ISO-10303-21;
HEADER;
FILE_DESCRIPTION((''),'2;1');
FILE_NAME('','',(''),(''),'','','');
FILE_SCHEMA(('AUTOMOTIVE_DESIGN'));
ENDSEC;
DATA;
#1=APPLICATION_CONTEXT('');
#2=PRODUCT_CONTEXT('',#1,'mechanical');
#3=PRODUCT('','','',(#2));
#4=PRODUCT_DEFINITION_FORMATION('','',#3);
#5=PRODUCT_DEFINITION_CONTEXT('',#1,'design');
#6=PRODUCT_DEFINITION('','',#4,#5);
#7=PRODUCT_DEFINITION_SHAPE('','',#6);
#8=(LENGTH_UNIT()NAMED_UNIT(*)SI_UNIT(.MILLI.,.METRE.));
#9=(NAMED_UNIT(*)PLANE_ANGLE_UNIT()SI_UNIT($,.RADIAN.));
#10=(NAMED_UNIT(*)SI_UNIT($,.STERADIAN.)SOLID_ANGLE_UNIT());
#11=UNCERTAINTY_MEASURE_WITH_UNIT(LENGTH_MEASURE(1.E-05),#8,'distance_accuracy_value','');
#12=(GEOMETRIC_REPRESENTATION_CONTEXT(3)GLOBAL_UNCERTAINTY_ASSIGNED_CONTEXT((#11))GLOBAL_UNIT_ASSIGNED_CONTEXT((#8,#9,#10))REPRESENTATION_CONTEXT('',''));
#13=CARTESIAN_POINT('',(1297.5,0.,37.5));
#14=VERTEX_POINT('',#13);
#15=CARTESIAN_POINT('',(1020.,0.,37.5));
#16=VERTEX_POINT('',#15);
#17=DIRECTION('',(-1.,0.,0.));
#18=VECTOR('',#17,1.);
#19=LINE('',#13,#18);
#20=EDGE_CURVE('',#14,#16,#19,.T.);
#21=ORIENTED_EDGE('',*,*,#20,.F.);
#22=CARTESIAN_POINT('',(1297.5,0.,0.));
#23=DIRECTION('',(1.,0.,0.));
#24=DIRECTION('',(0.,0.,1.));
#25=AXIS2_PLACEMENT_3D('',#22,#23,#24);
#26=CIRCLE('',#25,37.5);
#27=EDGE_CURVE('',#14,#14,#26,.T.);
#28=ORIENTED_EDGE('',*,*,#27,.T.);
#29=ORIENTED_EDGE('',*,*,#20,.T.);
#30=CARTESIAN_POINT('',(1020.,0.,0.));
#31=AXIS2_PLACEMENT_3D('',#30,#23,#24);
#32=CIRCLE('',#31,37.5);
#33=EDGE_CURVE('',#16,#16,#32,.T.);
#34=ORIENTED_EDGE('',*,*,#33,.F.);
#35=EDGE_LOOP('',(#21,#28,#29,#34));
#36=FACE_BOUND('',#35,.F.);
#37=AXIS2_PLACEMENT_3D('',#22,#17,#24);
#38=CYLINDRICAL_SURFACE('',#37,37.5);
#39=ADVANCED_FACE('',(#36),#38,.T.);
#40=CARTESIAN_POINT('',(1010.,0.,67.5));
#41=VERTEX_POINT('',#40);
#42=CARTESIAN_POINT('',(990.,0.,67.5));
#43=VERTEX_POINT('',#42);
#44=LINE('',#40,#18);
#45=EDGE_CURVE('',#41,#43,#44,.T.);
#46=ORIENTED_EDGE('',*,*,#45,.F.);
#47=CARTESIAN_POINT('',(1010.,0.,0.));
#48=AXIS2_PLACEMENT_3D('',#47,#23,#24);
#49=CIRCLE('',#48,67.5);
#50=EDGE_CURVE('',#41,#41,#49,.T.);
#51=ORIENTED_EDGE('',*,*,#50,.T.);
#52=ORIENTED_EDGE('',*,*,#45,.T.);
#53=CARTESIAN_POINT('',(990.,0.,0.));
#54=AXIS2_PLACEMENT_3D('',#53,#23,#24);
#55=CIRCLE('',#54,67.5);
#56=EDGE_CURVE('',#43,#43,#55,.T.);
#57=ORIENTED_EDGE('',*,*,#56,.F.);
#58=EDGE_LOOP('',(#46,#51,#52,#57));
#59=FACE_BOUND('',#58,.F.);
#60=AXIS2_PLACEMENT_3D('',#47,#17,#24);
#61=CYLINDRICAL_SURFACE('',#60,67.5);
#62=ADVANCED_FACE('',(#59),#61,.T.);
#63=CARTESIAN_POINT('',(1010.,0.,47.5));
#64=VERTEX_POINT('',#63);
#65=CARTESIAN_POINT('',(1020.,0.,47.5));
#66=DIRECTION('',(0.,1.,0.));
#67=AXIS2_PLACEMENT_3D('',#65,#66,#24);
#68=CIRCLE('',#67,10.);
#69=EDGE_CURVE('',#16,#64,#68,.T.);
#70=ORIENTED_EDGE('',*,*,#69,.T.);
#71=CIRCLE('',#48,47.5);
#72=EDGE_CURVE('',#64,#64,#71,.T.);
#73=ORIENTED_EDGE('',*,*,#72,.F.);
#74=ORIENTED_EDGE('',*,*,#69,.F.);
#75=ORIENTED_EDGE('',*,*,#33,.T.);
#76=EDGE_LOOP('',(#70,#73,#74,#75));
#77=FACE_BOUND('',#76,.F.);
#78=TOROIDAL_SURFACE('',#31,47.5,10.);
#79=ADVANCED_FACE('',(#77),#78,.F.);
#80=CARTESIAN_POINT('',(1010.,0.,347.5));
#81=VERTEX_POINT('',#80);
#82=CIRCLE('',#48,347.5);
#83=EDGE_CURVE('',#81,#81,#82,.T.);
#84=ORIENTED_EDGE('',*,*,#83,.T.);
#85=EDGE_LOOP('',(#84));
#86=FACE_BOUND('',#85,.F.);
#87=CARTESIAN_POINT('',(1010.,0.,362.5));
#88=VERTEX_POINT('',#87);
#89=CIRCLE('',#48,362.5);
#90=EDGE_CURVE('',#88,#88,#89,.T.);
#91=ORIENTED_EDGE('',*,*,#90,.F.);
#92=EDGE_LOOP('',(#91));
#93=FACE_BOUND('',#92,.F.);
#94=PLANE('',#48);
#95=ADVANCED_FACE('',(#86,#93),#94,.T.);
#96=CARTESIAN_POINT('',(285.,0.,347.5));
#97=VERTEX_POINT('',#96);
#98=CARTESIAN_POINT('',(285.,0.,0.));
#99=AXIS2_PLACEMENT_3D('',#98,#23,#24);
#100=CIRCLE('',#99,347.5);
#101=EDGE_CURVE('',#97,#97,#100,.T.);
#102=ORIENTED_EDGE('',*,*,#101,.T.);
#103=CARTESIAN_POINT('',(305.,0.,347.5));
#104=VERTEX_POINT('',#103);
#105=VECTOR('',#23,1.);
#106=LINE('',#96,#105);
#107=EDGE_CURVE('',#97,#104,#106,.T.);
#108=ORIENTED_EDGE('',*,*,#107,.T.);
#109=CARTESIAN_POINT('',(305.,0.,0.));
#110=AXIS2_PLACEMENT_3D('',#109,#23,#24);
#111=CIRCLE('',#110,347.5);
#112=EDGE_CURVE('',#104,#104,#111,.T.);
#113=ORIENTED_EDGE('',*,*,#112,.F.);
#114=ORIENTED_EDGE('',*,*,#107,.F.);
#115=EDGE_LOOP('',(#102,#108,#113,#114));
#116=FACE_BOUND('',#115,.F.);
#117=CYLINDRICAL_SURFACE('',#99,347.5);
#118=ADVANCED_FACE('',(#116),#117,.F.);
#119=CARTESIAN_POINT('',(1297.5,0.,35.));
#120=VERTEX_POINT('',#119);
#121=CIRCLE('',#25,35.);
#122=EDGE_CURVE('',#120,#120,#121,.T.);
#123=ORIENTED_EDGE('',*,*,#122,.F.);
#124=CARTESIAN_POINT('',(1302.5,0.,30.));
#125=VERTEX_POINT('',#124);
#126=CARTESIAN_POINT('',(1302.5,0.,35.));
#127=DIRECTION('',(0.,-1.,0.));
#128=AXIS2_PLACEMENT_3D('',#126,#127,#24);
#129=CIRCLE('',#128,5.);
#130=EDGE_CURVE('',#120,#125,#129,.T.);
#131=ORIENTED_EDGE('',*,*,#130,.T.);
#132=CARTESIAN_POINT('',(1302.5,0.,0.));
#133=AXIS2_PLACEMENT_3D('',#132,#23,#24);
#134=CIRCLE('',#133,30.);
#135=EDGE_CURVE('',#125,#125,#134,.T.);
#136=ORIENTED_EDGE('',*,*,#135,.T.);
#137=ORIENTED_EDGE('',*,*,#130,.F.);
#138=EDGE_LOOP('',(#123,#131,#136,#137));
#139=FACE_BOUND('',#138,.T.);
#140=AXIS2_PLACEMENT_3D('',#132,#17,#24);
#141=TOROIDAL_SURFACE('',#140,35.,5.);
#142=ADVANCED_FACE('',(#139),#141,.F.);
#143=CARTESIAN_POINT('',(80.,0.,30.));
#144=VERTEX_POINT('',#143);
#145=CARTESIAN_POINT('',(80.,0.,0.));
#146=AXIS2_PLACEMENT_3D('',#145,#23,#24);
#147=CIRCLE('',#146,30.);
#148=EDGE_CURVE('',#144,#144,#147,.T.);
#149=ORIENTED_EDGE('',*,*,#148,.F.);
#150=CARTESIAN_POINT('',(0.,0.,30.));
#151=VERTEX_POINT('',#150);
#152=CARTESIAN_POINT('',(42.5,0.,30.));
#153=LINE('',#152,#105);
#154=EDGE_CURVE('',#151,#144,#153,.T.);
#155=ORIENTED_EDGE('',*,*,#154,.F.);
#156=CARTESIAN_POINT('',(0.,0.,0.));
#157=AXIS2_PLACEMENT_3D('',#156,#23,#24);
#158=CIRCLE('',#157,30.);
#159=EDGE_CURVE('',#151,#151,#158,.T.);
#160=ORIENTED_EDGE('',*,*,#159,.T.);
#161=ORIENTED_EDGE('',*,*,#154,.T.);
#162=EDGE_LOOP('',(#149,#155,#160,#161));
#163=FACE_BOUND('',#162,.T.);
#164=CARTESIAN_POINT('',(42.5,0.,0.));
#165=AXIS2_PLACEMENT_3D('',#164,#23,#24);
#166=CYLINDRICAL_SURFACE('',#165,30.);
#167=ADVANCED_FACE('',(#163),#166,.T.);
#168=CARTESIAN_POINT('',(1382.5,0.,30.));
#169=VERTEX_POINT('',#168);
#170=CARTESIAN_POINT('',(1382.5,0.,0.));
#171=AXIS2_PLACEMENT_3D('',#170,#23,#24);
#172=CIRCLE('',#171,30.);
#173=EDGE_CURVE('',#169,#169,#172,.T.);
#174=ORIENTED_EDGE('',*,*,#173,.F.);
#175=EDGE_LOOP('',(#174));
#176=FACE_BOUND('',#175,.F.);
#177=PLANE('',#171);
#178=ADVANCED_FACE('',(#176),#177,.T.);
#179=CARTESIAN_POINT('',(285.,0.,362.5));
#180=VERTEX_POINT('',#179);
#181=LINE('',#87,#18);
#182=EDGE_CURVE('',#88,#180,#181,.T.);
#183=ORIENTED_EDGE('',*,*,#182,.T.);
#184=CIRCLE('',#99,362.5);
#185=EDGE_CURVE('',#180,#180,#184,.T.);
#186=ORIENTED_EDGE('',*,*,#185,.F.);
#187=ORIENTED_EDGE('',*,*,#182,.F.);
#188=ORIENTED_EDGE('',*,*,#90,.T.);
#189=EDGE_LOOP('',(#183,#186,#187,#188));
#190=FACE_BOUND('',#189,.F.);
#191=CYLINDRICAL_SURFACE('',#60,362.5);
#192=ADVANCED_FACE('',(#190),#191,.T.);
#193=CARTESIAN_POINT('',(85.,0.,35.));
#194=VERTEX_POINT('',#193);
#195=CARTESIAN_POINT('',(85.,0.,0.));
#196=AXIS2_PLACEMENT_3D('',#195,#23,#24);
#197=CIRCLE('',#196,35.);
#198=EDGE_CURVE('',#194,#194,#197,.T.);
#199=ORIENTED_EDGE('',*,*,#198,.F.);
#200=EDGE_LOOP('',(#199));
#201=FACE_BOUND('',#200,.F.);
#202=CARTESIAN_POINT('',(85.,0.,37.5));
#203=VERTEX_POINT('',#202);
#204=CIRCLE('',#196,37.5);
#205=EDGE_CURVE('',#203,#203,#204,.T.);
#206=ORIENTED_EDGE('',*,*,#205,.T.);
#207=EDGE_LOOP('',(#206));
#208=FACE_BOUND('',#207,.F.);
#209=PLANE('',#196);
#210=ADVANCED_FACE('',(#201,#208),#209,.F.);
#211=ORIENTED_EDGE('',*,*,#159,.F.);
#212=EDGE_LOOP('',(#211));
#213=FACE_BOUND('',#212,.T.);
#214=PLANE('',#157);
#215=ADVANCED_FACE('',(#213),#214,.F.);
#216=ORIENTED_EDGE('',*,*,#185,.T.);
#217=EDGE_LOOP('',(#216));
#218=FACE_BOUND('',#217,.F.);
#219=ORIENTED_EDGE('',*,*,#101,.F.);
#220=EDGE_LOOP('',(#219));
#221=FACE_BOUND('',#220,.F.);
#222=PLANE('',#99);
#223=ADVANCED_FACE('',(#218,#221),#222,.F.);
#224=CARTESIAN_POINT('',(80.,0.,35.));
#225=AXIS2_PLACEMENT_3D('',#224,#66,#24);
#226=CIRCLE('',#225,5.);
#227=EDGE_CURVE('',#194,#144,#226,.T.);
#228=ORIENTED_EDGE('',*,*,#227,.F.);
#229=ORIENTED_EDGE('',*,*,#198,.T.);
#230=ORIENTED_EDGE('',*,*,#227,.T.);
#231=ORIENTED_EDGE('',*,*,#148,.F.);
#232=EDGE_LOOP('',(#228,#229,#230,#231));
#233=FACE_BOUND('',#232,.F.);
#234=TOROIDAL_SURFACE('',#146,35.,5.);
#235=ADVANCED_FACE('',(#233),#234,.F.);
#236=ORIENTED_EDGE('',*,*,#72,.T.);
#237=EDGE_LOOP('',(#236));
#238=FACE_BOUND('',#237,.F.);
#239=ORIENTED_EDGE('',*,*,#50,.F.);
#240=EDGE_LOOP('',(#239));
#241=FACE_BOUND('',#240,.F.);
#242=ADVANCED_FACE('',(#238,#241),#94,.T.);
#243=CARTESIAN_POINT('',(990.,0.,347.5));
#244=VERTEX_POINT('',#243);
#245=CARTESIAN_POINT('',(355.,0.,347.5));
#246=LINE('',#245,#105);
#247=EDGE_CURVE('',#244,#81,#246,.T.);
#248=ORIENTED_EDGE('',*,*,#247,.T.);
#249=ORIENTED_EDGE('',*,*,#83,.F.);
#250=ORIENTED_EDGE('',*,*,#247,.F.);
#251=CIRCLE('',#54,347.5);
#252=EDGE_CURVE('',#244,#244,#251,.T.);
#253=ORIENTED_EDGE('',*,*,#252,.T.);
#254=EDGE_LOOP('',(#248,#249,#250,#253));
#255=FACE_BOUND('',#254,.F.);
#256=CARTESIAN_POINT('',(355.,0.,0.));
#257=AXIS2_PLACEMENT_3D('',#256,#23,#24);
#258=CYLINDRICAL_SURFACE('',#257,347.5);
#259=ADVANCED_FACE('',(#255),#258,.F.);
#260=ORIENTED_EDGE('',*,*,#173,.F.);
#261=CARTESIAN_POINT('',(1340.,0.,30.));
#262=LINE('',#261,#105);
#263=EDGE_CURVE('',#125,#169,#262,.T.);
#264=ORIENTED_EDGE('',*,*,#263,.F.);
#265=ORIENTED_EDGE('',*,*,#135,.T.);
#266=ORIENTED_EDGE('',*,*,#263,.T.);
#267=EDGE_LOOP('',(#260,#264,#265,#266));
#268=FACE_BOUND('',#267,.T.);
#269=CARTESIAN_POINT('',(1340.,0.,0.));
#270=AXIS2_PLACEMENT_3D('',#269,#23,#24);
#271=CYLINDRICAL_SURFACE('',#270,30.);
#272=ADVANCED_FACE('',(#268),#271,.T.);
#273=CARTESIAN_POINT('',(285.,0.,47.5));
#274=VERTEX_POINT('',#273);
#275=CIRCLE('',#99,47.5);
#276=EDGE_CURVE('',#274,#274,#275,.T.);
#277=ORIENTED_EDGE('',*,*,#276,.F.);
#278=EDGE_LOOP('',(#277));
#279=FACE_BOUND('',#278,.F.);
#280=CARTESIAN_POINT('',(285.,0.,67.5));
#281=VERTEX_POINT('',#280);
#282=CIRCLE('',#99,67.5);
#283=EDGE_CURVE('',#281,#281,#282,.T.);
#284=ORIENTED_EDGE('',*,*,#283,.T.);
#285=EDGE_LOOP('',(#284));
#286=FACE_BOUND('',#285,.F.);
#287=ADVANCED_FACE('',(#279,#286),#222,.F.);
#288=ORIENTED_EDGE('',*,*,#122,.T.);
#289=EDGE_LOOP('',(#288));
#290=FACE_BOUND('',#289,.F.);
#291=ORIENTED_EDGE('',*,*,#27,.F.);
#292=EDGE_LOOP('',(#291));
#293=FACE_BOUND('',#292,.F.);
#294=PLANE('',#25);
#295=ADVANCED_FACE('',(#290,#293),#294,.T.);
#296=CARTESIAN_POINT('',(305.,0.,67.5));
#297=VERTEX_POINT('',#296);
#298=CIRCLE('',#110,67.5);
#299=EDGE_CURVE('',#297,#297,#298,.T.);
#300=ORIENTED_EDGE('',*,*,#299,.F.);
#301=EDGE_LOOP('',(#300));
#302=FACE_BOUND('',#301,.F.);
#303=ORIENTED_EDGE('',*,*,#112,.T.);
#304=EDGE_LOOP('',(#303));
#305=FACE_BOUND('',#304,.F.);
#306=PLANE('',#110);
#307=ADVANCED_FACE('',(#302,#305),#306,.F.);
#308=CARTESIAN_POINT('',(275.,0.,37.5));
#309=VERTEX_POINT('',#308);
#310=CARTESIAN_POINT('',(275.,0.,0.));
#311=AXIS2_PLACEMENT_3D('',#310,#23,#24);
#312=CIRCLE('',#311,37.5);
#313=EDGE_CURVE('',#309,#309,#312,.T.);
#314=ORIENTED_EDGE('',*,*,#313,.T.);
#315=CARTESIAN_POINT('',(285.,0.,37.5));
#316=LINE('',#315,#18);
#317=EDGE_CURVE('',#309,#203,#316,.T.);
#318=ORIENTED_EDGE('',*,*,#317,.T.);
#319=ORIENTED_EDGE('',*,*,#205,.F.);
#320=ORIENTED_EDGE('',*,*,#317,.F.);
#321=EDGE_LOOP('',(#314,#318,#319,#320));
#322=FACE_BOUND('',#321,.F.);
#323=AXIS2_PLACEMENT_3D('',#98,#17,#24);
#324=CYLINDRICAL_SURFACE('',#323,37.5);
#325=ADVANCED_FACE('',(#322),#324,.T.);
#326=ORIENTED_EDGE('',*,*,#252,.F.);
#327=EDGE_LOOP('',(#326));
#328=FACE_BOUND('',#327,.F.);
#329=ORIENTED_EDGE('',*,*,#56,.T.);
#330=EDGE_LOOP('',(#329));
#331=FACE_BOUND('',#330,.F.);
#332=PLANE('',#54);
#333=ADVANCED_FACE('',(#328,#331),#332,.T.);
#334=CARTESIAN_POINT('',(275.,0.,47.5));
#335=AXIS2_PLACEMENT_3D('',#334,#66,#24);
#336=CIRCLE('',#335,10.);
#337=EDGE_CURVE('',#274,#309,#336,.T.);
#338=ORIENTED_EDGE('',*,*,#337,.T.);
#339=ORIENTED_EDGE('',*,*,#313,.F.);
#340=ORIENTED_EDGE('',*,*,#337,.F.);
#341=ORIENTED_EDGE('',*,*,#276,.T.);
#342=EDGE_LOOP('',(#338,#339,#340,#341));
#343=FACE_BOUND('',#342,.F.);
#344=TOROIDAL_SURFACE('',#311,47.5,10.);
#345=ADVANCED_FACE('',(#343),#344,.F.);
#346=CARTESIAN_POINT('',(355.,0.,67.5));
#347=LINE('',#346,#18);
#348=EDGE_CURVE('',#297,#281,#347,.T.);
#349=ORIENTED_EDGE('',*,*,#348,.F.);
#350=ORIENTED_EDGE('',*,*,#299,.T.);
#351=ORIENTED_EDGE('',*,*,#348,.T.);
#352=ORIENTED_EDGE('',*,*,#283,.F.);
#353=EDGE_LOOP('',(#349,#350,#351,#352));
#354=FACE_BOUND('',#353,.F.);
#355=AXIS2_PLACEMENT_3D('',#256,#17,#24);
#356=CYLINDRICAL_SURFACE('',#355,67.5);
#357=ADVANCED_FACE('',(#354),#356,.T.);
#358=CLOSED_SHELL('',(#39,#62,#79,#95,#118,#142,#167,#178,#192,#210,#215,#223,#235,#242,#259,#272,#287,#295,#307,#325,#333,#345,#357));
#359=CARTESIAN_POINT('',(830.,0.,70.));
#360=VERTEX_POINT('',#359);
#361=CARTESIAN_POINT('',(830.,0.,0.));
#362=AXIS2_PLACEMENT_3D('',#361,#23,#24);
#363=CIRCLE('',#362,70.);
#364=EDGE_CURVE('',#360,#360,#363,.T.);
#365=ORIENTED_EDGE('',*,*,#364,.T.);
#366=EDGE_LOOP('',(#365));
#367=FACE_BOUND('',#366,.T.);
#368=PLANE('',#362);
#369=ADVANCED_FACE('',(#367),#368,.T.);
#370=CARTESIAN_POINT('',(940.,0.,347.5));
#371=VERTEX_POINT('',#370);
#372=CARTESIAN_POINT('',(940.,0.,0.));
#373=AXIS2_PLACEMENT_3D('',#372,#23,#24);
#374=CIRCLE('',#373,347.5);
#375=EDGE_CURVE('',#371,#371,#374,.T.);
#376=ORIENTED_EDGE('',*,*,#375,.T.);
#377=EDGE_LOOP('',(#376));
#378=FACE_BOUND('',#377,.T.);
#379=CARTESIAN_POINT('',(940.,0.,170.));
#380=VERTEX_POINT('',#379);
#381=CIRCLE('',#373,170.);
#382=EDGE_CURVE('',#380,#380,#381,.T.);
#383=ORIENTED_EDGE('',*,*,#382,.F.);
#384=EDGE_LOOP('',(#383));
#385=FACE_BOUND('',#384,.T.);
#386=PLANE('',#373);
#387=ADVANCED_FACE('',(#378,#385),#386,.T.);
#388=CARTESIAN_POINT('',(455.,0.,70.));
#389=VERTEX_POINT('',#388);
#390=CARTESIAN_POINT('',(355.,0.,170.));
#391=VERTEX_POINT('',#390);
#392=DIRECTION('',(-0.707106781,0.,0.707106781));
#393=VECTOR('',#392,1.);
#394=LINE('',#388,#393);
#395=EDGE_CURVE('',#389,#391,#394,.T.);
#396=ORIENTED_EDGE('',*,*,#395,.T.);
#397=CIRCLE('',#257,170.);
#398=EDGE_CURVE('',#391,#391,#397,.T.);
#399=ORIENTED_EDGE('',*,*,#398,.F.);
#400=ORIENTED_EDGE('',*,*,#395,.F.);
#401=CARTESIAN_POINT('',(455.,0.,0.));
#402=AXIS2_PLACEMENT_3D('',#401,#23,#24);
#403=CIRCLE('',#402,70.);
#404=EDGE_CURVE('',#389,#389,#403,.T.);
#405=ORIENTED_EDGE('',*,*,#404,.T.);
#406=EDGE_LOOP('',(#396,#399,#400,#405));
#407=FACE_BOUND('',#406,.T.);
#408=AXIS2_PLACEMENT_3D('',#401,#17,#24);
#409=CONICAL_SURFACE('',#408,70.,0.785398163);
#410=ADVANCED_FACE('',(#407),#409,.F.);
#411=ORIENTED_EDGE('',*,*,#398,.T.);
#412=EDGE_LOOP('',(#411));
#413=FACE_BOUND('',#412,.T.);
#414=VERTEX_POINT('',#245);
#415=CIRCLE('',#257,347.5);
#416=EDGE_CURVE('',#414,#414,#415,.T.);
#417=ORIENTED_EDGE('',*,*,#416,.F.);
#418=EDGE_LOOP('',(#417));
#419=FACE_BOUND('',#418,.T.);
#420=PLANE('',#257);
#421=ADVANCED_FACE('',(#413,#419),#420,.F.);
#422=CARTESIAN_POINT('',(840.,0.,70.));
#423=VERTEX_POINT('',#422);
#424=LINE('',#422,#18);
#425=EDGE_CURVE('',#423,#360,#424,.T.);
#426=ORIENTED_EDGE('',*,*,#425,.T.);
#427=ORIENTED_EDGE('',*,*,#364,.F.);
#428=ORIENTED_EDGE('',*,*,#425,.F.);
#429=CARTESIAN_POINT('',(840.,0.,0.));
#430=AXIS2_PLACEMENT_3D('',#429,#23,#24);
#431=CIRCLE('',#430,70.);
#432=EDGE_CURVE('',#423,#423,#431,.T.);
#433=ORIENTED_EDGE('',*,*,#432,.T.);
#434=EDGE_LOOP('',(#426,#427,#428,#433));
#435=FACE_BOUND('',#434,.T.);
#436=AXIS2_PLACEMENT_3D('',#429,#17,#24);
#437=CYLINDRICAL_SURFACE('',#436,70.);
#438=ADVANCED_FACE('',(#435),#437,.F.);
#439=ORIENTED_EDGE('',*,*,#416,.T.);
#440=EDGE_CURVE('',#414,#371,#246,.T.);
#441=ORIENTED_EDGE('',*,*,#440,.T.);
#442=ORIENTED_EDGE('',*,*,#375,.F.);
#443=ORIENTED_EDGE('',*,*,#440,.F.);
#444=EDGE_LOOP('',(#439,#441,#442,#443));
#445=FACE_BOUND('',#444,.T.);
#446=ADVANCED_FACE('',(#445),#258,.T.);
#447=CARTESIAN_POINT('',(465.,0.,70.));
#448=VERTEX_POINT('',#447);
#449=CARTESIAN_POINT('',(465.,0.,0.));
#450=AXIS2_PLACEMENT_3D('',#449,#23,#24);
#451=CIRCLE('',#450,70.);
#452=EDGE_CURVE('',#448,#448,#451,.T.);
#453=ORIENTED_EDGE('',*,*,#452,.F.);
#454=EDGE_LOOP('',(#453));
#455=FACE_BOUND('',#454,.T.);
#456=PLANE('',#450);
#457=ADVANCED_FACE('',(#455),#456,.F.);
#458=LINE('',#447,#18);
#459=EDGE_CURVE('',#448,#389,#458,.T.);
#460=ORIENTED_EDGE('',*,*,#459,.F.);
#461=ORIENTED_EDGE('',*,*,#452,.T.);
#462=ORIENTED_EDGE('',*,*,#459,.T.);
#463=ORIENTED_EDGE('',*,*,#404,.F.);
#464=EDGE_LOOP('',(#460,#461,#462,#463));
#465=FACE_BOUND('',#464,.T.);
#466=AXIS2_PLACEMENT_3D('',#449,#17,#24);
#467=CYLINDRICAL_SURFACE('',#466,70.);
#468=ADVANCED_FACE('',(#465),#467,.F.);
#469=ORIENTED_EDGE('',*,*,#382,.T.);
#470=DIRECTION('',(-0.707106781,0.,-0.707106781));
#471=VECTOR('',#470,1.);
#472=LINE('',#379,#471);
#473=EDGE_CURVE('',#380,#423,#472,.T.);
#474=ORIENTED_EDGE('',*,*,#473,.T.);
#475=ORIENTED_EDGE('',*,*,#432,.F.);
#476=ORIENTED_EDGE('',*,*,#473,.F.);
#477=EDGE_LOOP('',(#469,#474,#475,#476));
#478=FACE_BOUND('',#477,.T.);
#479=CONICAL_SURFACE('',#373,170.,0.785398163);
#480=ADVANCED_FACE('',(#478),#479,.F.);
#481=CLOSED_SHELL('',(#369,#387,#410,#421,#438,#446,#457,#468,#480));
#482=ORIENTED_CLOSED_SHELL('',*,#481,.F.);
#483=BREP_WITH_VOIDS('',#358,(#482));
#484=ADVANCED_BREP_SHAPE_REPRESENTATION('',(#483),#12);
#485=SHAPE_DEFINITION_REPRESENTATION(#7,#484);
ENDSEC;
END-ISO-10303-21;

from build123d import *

# Parameters (mm, degrees)
F0_W = 85
F0_H = 30
F2_R = 10
F3_R = 5


with BuildPart() as f1:
    # F0 (on Front) → F1 (revolve)
    with BuildSketch(Plane.XZ):
        with Locations((42.5, 15)):
            Rectangle(F0_W, F0_H)
        Polygon((85, 30), (85, 0), (285, 0), (285, 37.5), (85, 37.5), align=None)
        Polygon((285, 37.5), (285, 0), (465, 0), (465, 50), (355, 50), (285, 50), align=None)
        Polygon((285, 67.5), (285, 50), (355, 50), (355, 67.5), (305, 67.5), align=None)
        Polygon((355, 50), (465, 50), (465, 70), (455, 70), (355, 70), (355, 67.5), align=None)
        Polygon((305, 67.5), (355, 67.5), (355, 70), (355, 170), (355, 347.5), (305, 347.5), align=None)
        Polygon((355, 70), (455, 70), (355, 170), align=None)
        Polygon((285, 347.5), (305, 347.5), (355, 347.5), (647.5, 347.5), (940, 347.5), (990, 347.5), (1010, 347.5), (1010, 362.5), (285, 362.5), align=None)
        Polygon((990, 347.5), (940, 347.5), (940, 170), (940, 70), (940, 67.5), (990, 67.5), align=None)
        Polygon((940, 70), (940, 170), (840, 70), align=None)
        Polygon((1010, 67.5), (990, 67.5), (940, 67.5), (940, 70), (840, 70), (830, 70), (830, 50), (1010, 50), align=None)
        Polygon((1010, 37.5), (1010, 50), (830, 50), (830, 0), (1010, 0), align=None)
        Polygon((1297.5, 37.5), (1010, 37.5), (1010, 0), (1297.5, 0), (1297.5, 30), align=None)
        with Locations((1340, 15)):
            Rectangle(F0_W, F0_H)
    revolve(axis=Axis((691.25, 0, 0), (1, 0, 0)))

    # F2
    f2_edges = [f1.edges().sort_by_distance(p)[0] for p in [
        (1010, 0, -37.5),
        (285, 0, -37.5),
    ]]
    fillet(f2_edges, radius=F2_R)

    # F3
    f3_edges = [f1.edges().sort_by_distance(p)[0] for p in [
        (85, 0, -30),
        (1297.5, 0, -30),
    ]]
    fillet(f3_edges, radius=F3_R)


solid = f1.part
